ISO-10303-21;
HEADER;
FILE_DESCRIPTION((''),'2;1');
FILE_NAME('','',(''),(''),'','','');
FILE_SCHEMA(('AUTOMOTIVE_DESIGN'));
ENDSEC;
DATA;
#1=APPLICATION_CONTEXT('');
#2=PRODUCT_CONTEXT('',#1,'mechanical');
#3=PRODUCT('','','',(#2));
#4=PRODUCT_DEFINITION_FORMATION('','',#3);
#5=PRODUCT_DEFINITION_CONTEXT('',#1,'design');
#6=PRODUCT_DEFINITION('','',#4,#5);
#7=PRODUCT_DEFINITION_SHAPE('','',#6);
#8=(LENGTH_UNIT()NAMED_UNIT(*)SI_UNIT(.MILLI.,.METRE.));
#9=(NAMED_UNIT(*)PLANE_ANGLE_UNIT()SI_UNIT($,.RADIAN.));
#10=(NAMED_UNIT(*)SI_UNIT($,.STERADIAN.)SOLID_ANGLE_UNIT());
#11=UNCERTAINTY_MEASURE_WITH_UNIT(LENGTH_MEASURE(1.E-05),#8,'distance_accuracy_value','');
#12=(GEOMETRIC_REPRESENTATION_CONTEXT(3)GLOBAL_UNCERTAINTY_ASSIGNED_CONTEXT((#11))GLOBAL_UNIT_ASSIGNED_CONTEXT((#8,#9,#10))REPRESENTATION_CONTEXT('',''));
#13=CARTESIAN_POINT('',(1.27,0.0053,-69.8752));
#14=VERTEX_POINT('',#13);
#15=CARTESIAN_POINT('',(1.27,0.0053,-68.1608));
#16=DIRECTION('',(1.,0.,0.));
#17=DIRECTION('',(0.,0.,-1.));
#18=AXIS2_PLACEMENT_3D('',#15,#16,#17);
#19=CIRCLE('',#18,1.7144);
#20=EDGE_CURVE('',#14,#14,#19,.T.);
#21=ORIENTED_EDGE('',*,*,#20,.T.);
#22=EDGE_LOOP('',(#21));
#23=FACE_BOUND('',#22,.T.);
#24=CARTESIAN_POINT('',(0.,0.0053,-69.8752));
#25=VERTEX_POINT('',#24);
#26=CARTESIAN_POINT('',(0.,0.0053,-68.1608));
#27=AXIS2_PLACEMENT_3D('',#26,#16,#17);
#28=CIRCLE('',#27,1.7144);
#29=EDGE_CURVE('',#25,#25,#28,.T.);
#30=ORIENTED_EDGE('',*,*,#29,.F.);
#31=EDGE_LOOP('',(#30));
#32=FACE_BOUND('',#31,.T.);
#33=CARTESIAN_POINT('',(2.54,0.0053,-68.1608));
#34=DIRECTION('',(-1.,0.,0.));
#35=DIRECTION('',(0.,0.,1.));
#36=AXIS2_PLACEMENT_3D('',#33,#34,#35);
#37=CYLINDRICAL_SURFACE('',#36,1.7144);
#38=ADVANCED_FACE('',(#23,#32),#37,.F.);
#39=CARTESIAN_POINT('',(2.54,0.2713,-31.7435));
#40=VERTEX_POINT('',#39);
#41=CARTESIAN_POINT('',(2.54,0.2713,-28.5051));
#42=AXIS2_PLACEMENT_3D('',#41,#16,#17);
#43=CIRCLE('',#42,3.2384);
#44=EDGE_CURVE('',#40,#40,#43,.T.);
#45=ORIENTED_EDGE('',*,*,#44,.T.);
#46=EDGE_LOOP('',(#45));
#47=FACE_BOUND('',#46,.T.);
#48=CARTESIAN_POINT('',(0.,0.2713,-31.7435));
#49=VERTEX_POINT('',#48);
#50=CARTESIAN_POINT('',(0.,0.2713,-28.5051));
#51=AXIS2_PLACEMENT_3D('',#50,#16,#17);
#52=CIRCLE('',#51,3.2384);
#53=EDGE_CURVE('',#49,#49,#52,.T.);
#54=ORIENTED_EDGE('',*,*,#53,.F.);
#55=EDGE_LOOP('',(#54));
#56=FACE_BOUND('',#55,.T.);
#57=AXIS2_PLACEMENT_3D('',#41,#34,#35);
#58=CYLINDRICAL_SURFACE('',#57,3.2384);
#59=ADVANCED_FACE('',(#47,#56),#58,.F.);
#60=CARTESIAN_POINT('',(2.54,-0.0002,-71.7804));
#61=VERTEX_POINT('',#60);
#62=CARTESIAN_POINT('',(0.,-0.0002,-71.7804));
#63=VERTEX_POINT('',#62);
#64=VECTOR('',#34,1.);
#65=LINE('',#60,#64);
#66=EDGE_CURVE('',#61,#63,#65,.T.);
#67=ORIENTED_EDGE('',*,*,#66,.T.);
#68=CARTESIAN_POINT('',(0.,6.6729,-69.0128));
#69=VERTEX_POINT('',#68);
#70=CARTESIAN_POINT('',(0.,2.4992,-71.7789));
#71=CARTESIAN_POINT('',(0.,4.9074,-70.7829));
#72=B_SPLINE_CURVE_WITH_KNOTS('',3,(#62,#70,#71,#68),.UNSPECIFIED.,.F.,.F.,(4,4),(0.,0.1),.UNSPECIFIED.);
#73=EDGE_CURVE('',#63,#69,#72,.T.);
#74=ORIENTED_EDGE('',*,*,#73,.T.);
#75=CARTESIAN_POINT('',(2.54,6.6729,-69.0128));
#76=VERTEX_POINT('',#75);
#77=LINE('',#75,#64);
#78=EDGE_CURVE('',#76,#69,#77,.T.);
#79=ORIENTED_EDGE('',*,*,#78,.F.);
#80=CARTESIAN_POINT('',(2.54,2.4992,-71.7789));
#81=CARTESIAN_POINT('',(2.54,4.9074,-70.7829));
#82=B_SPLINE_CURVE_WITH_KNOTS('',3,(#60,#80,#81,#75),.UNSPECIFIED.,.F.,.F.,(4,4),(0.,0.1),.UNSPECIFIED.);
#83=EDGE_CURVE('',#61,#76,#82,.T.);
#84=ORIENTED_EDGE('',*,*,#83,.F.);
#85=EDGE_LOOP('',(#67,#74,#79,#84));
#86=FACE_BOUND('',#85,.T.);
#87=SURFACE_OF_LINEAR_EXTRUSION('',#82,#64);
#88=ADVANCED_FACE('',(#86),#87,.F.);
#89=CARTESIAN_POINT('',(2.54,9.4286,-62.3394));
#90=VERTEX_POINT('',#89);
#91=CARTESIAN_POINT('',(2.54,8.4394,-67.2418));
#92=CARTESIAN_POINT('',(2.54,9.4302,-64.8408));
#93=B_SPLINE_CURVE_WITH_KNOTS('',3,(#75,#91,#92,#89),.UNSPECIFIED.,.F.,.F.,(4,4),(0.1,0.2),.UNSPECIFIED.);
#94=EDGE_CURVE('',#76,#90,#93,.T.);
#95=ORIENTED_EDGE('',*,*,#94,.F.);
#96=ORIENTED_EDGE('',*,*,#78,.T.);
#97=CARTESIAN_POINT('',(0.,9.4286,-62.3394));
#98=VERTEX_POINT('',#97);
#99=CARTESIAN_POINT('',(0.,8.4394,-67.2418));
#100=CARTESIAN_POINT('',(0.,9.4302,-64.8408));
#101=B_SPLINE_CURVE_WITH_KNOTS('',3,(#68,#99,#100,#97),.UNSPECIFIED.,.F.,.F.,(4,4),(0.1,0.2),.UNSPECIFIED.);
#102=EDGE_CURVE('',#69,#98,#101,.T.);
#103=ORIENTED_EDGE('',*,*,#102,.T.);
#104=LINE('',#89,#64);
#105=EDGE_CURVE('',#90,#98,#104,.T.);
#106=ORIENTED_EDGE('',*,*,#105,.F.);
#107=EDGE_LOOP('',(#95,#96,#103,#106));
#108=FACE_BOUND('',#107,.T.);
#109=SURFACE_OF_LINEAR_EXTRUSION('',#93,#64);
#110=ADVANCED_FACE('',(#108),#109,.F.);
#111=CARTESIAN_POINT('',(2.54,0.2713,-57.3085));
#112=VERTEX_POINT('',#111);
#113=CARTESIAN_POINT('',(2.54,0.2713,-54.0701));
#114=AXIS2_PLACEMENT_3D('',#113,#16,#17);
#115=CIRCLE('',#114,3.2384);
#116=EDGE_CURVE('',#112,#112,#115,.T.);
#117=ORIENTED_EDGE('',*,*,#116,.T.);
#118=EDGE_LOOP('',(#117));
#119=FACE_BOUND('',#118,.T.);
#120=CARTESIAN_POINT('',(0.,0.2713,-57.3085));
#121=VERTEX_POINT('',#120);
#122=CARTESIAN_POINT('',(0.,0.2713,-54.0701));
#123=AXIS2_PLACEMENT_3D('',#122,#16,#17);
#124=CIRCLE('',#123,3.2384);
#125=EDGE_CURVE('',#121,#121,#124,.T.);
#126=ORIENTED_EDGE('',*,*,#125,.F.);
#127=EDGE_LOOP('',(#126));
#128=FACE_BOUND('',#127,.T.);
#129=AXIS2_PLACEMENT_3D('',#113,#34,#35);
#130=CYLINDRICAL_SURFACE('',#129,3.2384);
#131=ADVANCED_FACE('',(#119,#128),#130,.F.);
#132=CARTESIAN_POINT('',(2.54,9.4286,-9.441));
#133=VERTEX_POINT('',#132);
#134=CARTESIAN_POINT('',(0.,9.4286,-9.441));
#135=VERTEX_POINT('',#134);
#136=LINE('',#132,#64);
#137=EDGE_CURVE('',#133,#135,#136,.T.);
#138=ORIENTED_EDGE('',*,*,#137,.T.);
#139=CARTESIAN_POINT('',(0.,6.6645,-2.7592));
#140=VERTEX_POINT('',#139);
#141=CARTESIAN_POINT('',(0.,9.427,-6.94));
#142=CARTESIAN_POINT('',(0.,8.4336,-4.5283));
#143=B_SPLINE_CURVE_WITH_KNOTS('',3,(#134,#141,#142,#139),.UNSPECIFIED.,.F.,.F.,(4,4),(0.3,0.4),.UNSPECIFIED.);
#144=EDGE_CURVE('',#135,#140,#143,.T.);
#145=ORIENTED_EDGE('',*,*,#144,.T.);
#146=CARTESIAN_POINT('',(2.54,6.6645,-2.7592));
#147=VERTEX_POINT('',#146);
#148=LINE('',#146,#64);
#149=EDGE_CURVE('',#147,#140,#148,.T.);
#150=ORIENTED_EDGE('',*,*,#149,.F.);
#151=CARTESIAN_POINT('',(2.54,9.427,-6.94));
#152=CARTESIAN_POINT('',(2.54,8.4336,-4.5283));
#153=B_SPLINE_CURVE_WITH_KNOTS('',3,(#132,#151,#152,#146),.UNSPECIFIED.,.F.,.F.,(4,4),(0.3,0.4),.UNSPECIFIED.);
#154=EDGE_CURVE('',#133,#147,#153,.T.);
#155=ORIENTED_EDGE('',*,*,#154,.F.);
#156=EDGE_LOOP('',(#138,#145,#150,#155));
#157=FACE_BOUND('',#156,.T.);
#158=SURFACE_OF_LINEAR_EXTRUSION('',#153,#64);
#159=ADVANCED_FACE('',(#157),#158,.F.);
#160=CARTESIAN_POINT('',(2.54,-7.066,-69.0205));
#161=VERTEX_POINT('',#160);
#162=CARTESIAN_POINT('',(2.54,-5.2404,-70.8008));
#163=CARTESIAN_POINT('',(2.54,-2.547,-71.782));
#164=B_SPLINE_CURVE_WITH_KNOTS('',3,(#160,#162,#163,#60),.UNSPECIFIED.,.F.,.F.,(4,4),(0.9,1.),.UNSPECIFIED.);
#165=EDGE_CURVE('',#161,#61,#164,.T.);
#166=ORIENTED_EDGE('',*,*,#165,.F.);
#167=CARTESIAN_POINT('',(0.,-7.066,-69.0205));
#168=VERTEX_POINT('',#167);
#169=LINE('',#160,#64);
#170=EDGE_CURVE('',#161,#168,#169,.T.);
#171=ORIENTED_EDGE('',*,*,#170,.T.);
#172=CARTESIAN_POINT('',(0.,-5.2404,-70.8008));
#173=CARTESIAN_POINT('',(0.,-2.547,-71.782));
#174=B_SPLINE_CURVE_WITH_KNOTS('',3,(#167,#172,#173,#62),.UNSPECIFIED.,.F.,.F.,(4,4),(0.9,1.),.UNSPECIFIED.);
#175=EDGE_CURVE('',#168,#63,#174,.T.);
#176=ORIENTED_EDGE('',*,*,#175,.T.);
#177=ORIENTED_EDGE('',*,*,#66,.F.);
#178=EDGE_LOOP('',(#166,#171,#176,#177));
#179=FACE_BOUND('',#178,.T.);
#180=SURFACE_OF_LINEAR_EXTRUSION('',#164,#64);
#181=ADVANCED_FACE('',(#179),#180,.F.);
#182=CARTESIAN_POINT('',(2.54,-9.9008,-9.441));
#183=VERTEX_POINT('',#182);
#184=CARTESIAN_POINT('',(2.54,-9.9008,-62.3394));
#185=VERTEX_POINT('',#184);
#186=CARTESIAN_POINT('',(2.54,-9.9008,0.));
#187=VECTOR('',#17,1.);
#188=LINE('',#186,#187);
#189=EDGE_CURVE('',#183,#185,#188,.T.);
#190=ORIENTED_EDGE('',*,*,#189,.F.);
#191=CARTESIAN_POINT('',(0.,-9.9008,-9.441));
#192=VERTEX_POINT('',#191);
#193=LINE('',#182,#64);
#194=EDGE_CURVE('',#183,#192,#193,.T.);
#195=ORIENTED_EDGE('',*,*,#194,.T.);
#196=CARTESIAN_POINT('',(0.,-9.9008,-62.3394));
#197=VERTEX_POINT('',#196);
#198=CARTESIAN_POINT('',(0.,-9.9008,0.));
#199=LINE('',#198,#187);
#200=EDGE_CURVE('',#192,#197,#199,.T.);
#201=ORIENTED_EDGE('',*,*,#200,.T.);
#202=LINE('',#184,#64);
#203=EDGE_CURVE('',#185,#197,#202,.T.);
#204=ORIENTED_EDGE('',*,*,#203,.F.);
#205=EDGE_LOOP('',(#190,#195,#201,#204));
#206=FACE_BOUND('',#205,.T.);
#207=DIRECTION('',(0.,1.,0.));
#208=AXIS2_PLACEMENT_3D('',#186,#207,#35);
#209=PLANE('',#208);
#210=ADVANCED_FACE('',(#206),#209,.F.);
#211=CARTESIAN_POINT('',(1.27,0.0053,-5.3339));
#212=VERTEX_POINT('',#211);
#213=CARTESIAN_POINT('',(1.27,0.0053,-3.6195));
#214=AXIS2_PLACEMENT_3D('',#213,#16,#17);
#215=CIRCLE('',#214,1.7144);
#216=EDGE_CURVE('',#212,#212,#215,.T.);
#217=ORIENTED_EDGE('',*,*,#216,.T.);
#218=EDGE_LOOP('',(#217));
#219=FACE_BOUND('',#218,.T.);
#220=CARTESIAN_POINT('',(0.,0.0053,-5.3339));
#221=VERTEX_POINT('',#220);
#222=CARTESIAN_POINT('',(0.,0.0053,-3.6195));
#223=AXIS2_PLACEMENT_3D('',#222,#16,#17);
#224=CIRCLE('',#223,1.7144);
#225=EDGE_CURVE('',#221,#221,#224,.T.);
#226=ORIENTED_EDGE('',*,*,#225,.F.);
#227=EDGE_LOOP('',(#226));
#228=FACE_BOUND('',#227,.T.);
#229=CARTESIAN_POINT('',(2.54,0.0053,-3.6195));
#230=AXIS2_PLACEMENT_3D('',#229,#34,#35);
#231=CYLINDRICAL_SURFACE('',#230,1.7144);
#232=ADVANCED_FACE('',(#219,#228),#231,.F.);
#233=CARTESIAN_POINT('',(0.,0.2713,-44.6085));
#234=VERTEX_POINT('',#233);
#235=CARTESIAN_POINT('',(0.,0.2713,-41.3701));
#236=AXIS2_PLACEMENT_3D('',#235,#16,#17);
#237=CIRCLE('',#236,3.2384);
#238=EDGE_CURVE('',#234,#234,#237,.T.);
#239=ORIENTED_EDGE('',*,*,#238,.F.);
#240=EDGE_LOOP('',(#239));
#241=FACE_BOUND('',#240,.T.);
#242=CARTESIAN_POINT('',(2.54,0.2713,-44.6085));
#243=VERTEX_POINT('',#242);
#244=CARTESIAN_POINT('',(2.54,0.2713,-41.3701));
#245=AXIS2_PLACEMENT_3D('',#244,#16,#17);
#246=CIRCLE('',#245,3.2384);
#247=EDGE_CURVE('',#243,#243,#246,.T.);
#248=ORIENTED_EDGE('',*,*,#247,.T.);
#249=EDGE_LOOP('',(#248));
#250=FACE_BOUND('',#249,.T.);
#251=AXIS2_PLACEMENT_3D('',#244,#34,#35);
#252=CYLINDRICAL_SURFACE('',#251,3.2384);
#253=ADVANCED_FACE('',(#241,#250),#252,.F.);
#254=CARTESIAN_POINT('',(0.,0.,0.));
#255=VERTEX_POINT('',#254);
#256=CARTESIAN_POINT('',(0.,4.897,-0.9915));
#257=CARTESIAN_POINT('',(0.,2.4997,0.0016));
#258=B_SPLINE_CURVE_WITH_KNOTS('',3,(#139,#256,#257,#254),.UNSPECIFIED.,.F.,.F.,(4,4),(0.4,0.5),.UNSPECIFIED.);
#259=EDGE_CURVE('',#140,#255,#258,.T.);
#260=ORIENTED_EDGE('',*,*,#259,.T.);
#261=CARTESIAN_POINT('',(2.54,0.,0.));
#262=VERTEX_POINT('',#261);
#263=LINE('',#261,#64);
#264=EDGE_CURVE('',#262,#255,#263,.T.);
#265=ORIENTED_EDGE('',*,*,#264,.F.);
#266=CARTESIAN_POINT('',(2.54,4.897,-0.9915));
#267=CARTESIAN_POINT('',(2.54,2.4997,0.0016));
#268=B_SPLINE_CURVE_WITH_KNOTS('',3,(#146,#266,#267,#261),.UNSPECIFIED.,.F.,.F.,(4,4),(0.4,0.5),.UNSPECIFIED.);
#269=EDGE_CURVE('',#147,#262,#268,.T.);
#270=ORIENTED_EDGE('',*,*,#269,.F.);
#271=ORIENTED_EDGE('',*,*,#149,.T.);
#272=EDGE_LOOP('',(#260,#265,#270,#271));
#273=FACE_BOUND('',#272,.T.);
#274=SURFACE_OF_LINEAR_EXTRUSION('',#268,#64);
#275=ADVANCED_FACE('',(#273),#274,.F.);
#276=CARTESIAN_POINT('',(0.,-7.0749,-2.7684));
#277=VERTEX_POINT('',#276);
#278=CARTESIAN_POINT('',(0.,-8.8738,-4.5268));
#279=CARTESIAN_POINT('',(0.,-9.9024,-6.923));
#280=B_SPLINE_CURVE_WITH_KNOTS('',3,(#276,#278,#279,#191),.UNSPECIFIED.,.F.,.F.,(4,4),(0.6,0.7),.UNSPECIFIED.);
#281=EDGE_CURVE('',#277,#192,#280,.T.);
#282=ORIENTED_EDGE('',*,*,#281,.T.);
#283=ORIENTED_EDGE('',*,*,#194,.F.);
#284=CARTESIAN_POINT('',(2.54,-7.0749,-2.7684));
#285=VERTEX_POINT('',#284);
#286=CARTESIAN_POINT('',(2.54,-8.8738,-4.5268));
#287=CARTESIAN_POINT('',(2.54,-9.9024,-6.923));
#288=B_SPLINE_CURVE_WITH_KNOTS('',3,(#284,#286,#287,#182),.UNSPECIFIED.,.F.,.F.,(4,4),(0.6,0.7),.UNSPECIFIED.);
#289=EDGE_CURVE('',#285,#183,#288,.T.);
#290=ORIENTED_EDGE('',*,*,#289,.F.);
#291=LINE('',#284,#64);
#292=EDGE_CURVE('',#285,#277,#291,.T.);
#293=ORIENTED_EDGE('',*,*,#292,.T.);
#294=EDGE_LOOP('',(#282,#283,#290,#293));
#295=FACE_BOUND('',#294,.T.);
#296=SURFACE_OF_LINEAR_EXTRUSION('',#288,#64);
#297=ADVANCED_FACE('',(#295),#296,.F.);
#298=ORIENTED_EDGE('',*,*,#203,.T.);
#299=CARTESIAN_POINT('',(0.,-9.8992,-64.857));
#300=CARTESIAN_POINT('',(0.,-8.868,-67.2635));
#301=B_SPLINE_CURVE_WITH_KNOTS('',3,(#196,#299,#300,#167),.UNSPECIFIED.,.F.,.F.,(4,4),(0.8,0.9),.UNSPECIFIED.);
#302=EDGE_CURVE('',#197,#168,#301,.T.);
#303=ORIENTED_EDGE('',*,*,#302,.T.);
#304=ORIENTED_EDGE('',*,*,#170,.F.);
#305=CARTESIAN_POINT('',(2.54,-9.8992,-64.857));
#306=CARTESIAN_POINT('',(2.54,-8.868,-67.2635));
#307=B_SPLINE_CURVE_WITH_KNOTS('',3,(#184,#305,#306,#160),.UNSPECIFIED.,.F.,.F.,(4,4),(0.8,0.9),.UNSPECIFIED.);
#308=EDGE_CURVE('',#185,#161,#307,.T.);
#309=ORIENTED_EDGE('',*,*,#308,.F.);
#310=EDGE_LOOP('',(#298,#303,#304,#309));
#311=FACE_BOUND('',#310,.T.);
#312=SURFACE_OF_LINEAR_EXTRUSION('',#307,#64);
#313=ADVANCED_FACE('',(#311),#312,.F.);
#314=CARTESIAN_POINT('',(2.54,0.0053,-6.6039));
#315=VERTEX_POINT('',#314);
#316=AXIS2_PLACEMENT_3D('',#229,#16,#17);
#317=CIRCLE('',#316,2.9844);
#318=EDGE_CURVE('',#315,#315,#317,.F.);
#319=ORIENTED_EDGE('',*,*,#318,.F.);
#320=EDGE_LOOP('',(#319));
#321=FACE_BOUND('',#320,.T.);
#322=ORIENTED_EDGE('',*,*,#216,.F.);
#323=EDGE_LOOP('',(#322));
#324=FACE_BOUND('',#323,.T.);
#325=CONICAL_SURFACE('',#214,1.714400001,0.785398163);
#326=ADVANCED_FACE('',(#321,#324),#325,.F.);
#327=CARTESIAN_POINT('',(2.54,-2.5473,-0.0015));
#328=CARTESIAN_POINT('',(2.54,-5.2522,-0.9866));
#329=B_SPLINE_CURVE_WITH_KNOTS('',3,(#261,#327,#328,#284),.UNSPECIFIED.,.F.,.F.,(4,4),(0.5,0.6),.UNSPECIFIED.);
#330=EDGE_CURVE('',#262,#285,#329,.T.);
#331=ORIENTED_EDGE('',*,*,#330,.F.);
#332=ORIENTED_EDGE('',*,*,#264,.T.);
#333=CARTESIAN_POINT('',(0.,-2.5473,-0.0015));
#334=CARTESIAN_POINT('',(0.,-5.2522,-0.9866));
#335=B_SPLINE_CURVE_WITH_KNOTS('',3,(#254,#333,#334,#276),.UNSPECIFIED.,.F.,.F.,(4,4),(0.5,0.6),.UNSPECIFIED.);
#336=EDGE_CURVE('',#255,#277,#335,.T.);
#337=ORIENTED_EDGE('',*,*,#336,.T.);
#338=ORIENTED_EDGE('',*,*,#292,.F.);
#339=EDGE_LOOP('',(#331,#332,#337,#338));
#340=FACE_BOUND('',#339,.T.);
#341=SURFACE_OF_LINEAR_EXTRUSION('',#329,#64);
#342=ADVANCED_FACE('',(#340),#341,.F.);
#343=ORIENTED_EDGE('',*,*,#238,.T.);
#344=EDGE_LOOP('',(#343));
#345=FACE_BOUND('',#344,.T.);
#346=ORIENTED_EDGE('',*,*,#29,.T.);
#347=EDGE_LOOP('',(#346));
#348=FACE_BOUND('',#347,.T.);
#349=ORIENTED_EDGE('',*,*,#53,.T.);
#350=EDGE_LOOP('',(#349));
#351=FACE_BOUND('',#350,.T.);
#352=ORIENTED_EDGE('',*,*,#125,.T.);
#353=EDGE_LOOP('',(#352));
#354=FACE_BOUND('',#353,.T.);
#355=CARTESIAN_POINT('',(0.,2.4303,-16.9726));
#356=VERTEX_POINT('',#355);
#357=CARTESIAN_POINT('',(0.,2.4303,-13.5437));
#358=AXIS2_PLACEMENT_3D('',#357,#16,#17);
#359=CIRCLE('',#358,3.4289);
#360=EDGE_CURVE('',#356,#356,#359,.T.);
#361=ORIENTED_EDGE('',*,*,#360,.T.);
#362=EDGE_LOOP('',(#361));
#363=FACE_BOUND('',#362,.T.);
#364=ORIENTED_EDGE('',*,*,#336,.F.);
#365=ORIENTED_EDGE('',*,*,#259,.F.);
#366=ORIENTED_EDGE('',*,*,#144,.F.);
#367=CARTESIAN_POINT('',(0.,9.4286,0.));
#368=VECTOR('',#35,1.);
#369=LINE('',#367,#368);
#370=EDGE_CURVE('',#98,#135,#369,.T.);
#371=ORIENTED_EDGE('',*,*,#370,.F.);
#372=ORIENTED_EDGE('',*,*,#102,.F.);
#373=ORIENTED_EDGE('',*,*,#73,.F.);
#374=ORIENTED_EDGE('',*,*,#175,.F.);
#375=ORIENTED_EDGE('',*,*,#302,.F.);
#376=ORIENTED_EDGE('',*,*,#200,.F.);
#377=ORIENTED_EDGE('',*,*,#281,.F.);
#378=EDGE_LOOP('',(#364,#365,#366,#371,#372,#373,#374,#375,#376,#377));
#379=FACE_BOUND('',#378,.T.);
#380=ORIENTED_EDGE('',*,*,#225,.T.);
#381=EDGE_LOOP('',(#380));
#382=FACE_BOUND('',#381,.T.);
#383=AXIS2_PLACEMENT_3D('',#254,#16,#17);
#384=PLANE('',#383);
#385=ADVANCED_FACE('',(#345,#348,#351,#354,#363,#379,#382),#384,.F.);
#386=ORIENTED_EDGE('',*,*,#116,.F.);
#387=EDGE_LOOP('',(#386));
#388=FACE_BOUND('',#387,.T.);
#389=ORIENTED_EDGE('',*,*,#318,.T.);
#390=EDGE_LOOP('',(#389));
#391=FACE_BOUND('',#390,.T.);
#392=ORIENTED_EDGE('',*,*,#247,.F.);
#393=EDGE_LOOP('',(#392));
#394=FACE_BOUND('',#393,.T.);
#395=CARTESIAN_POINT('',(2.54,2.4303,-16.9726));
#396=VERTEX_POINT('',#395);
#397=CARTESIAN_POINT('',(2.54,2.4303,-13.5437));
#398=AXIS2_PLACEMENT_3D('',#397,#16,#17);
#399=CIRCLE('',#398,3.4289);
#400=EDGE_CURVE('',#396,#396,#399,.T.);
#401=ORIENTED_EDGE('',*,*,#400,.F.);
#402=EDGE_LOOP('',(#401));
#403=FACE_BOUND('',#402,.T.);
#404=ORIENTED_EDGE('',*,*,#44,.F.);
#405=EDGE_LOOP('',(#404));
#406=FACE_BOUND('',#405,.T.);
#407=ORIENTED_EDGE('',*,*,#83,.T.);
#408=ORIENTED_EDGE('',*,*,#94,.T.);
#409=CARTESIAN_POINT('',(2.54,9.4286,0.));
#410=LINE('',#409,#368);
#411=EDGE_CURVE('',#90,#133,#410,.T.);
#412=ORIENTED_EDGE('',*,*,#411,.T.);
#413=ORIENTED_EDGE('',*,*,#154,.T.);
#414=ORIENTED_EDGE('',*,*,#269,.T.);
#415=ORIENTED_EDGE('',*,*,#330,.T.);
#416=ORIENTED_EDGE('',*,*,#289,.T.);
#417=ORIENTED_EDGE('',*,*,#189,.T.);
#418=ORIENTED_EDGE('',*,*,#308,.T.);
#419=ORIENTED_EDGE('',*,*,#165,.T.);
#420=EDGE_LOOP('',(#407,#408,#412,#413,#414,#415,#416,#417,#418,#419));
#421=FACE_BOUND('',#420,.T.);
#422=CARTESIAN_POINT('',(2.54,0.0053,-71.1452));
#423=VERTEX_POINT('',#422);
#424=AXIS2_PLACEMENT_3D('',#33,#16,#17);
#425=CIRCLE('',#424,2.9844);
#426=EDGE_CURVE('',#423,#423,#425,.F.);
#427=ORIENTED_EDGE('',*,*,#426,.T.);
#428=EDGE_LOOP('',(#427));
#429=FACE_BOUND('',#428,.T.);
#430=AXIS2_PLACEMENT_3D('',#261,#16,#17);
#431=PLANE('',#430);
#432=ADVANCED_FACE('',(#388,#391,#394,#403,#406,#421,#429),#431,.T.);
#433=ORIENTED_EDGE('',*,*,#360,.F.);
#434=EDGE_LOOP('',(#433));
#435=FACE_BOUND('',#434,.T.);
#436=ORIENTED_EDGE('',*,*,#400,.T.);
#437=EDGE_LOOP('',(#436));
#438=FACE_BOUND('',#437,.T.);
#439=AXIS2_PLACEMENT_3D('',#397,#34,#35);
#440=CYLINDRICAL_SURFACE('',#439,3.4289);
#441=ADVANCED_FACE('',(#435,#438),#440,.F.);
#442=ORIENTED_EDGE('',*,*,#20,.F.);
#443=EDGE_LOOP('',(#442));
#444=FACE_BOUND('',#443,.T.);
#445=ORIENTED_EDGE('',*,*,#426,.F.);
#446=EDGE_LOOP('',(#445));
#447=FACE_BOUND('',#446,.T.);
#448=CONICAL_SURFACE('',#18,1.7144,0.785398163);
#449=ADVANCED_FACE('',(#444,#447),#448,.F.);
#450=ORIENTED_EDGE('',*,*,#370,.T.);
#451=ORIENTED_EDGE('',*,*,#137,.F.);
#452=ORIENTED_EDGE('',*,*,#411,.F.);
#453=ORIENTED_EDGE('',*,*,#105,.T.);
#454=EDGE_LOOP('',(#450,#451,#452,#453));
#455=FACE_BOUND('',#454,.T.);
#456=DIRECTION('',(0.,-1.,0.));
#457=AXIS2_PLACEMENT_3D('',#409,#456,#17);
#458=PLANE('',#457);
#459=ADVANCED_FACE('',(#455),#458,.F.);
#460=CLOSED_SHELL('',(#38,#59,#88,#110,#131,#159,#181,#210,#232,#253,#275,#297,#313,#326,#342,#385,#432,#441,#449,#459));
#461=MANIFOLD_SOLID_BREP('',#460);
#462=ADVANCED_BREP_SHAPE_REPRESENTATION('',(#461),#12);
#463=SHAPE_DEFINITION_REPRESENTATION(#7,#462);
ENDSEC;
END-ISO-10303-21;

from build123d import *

# Parameters (mm, degrees)
SKETCH1_R           = 1.714400001
SKETCH1_R_2         = 3.4289
SKETCH1_R_3         = 3.2384
SKETCH1_R_4         = 1.7144
BOSS_EXTRUDE1_DEPTH = 2.54
CHAMFER1_SIZE       = 1.27


with BuildPart() as part:
    # Sketch1 → Boss-Extrude1 (new body)
    with BuildSketch(Plane(origin=(0, 0, 0), x_dir=(0, 0, -1), z_dir=(1, 0, 0))):
        with BuildLine():
            Line((62.3394, 9.4286), (9.441, 9.4286))
            add(Edge.make_bspline(
                [(9.441, 9.4286), (6.94, 9.427), (4.5283, 8.4336), (2.7592, 6.6645)],
                knots=[0.3, 0.3, 0.3, 0.3, 0.4, 0.4, 0.4, 0.4], degree=3))
            add(Edge.make_bspline(
                [(2.7592, 6.6645), (0.9915, 4.897), (-0.0016, 2.4997), (0, 0)],
                knots=[0.4, 0.4, 0.4, 0.4, 0.5, 0.5, 0.5, 0.5], degree=3))
            add(Edge.make_bspline(
                [(0, 0), (0.0015, -2.5473), (0.9866, -5.2522), (2.7684, -7.0749)],
                knots=[0.5, 0.5, 0.5, 0.5, 0.6, 0.6, 0.6, 0.6], degree=3))
            add(Edge.make_bspline(
                [(2.7684, -7.0749), (4.5268, -8.8738), (6.923, -9.9024), (9.441, -9.9008)],
                knots=[0.6, 0.6, 0.6, 0.6, 0.7, 0.7, 0.7, 0.7], degree=3))
            Line((9.441, -9.9008), (62.3394, -9.9008))
            add(Edge.make_bspline(
                [(62.3394, -9.9008), (64.857, -9.8992), (67.2635, -8.868), (69.0205, -7.066)],
                knots=[0.8, 0.8, 0.8, 0.8, 0.9, 0.9, 0.9, 0.9], degree=3))
            add(Edge.make_bspline(
                [(69.0205, -7.066), (70.8008, -5.2404), (71.782, -2.547), (71.7804, -0.0002)],
                knots=[0.9, 0.9, 0.9, 0.9, 1, 1, 1, 1], degree=3))
            add(Edge.make_bspline(
                [(71.7804, -0.0002), (71.7789, 2.4992), (70.7829, 4.9074), (69.0128, 6.6729)],
                knots=[0, 0, 0, 0, 0.1, 0.1, 0.1, 0.1], degree=3))
            add(Edge.make_bspline(
                [(69.0128, 6.6729), (67.2418, 8.4394), (64.8408, 9.4302), (62.3394, 9.4286)],
                knots=[0.1, 0.1, 0.1, 0.1, 0.2, 0.2, 0.2, 0.2], degree=3))
        make_face()
        with Locations((3.6195, 0.005300001)):
            Circle(SKETCH1_R, mode=Mode.SUBTRACT)
        with Locations((13.5437, 2.4303)):
            Circle(SKETCH1_R_2, mode=Mode.SUBTRACT)
        with Locations((28.5051, 0.2713)):
            Circle(SKETCH1_R_3, mode=Mode.SUBTRACT)
        with Locations((41.3701, 0.2713)):
            Circle(SKETCH1_R_3, mode=Mode.SUBTRACT)
        with Locations((54.0701, 0.2713)):
            Circle(SKETCH1_R_3, mode=Mode.SUBTRACT)
        with Locations((68.1608, 0.0053)):
            Circle(SKETCH1_R_4, mode=Mode.SUBTRACT)
    extrude(amount=BOSS_EXTRUDE1_DEPTH)

    # Chamfer1
    chamfer1_edges = [part.edges().sort_by_distance(p)[0] for p in [
        (2.54, 0.005300001, -1.905099999),
        (2.54, 0.0053, -66.4464),
    ]]
    chamfer(chamfer1_edges, length=CHAMFER1_SIZE)


solid = part.part
